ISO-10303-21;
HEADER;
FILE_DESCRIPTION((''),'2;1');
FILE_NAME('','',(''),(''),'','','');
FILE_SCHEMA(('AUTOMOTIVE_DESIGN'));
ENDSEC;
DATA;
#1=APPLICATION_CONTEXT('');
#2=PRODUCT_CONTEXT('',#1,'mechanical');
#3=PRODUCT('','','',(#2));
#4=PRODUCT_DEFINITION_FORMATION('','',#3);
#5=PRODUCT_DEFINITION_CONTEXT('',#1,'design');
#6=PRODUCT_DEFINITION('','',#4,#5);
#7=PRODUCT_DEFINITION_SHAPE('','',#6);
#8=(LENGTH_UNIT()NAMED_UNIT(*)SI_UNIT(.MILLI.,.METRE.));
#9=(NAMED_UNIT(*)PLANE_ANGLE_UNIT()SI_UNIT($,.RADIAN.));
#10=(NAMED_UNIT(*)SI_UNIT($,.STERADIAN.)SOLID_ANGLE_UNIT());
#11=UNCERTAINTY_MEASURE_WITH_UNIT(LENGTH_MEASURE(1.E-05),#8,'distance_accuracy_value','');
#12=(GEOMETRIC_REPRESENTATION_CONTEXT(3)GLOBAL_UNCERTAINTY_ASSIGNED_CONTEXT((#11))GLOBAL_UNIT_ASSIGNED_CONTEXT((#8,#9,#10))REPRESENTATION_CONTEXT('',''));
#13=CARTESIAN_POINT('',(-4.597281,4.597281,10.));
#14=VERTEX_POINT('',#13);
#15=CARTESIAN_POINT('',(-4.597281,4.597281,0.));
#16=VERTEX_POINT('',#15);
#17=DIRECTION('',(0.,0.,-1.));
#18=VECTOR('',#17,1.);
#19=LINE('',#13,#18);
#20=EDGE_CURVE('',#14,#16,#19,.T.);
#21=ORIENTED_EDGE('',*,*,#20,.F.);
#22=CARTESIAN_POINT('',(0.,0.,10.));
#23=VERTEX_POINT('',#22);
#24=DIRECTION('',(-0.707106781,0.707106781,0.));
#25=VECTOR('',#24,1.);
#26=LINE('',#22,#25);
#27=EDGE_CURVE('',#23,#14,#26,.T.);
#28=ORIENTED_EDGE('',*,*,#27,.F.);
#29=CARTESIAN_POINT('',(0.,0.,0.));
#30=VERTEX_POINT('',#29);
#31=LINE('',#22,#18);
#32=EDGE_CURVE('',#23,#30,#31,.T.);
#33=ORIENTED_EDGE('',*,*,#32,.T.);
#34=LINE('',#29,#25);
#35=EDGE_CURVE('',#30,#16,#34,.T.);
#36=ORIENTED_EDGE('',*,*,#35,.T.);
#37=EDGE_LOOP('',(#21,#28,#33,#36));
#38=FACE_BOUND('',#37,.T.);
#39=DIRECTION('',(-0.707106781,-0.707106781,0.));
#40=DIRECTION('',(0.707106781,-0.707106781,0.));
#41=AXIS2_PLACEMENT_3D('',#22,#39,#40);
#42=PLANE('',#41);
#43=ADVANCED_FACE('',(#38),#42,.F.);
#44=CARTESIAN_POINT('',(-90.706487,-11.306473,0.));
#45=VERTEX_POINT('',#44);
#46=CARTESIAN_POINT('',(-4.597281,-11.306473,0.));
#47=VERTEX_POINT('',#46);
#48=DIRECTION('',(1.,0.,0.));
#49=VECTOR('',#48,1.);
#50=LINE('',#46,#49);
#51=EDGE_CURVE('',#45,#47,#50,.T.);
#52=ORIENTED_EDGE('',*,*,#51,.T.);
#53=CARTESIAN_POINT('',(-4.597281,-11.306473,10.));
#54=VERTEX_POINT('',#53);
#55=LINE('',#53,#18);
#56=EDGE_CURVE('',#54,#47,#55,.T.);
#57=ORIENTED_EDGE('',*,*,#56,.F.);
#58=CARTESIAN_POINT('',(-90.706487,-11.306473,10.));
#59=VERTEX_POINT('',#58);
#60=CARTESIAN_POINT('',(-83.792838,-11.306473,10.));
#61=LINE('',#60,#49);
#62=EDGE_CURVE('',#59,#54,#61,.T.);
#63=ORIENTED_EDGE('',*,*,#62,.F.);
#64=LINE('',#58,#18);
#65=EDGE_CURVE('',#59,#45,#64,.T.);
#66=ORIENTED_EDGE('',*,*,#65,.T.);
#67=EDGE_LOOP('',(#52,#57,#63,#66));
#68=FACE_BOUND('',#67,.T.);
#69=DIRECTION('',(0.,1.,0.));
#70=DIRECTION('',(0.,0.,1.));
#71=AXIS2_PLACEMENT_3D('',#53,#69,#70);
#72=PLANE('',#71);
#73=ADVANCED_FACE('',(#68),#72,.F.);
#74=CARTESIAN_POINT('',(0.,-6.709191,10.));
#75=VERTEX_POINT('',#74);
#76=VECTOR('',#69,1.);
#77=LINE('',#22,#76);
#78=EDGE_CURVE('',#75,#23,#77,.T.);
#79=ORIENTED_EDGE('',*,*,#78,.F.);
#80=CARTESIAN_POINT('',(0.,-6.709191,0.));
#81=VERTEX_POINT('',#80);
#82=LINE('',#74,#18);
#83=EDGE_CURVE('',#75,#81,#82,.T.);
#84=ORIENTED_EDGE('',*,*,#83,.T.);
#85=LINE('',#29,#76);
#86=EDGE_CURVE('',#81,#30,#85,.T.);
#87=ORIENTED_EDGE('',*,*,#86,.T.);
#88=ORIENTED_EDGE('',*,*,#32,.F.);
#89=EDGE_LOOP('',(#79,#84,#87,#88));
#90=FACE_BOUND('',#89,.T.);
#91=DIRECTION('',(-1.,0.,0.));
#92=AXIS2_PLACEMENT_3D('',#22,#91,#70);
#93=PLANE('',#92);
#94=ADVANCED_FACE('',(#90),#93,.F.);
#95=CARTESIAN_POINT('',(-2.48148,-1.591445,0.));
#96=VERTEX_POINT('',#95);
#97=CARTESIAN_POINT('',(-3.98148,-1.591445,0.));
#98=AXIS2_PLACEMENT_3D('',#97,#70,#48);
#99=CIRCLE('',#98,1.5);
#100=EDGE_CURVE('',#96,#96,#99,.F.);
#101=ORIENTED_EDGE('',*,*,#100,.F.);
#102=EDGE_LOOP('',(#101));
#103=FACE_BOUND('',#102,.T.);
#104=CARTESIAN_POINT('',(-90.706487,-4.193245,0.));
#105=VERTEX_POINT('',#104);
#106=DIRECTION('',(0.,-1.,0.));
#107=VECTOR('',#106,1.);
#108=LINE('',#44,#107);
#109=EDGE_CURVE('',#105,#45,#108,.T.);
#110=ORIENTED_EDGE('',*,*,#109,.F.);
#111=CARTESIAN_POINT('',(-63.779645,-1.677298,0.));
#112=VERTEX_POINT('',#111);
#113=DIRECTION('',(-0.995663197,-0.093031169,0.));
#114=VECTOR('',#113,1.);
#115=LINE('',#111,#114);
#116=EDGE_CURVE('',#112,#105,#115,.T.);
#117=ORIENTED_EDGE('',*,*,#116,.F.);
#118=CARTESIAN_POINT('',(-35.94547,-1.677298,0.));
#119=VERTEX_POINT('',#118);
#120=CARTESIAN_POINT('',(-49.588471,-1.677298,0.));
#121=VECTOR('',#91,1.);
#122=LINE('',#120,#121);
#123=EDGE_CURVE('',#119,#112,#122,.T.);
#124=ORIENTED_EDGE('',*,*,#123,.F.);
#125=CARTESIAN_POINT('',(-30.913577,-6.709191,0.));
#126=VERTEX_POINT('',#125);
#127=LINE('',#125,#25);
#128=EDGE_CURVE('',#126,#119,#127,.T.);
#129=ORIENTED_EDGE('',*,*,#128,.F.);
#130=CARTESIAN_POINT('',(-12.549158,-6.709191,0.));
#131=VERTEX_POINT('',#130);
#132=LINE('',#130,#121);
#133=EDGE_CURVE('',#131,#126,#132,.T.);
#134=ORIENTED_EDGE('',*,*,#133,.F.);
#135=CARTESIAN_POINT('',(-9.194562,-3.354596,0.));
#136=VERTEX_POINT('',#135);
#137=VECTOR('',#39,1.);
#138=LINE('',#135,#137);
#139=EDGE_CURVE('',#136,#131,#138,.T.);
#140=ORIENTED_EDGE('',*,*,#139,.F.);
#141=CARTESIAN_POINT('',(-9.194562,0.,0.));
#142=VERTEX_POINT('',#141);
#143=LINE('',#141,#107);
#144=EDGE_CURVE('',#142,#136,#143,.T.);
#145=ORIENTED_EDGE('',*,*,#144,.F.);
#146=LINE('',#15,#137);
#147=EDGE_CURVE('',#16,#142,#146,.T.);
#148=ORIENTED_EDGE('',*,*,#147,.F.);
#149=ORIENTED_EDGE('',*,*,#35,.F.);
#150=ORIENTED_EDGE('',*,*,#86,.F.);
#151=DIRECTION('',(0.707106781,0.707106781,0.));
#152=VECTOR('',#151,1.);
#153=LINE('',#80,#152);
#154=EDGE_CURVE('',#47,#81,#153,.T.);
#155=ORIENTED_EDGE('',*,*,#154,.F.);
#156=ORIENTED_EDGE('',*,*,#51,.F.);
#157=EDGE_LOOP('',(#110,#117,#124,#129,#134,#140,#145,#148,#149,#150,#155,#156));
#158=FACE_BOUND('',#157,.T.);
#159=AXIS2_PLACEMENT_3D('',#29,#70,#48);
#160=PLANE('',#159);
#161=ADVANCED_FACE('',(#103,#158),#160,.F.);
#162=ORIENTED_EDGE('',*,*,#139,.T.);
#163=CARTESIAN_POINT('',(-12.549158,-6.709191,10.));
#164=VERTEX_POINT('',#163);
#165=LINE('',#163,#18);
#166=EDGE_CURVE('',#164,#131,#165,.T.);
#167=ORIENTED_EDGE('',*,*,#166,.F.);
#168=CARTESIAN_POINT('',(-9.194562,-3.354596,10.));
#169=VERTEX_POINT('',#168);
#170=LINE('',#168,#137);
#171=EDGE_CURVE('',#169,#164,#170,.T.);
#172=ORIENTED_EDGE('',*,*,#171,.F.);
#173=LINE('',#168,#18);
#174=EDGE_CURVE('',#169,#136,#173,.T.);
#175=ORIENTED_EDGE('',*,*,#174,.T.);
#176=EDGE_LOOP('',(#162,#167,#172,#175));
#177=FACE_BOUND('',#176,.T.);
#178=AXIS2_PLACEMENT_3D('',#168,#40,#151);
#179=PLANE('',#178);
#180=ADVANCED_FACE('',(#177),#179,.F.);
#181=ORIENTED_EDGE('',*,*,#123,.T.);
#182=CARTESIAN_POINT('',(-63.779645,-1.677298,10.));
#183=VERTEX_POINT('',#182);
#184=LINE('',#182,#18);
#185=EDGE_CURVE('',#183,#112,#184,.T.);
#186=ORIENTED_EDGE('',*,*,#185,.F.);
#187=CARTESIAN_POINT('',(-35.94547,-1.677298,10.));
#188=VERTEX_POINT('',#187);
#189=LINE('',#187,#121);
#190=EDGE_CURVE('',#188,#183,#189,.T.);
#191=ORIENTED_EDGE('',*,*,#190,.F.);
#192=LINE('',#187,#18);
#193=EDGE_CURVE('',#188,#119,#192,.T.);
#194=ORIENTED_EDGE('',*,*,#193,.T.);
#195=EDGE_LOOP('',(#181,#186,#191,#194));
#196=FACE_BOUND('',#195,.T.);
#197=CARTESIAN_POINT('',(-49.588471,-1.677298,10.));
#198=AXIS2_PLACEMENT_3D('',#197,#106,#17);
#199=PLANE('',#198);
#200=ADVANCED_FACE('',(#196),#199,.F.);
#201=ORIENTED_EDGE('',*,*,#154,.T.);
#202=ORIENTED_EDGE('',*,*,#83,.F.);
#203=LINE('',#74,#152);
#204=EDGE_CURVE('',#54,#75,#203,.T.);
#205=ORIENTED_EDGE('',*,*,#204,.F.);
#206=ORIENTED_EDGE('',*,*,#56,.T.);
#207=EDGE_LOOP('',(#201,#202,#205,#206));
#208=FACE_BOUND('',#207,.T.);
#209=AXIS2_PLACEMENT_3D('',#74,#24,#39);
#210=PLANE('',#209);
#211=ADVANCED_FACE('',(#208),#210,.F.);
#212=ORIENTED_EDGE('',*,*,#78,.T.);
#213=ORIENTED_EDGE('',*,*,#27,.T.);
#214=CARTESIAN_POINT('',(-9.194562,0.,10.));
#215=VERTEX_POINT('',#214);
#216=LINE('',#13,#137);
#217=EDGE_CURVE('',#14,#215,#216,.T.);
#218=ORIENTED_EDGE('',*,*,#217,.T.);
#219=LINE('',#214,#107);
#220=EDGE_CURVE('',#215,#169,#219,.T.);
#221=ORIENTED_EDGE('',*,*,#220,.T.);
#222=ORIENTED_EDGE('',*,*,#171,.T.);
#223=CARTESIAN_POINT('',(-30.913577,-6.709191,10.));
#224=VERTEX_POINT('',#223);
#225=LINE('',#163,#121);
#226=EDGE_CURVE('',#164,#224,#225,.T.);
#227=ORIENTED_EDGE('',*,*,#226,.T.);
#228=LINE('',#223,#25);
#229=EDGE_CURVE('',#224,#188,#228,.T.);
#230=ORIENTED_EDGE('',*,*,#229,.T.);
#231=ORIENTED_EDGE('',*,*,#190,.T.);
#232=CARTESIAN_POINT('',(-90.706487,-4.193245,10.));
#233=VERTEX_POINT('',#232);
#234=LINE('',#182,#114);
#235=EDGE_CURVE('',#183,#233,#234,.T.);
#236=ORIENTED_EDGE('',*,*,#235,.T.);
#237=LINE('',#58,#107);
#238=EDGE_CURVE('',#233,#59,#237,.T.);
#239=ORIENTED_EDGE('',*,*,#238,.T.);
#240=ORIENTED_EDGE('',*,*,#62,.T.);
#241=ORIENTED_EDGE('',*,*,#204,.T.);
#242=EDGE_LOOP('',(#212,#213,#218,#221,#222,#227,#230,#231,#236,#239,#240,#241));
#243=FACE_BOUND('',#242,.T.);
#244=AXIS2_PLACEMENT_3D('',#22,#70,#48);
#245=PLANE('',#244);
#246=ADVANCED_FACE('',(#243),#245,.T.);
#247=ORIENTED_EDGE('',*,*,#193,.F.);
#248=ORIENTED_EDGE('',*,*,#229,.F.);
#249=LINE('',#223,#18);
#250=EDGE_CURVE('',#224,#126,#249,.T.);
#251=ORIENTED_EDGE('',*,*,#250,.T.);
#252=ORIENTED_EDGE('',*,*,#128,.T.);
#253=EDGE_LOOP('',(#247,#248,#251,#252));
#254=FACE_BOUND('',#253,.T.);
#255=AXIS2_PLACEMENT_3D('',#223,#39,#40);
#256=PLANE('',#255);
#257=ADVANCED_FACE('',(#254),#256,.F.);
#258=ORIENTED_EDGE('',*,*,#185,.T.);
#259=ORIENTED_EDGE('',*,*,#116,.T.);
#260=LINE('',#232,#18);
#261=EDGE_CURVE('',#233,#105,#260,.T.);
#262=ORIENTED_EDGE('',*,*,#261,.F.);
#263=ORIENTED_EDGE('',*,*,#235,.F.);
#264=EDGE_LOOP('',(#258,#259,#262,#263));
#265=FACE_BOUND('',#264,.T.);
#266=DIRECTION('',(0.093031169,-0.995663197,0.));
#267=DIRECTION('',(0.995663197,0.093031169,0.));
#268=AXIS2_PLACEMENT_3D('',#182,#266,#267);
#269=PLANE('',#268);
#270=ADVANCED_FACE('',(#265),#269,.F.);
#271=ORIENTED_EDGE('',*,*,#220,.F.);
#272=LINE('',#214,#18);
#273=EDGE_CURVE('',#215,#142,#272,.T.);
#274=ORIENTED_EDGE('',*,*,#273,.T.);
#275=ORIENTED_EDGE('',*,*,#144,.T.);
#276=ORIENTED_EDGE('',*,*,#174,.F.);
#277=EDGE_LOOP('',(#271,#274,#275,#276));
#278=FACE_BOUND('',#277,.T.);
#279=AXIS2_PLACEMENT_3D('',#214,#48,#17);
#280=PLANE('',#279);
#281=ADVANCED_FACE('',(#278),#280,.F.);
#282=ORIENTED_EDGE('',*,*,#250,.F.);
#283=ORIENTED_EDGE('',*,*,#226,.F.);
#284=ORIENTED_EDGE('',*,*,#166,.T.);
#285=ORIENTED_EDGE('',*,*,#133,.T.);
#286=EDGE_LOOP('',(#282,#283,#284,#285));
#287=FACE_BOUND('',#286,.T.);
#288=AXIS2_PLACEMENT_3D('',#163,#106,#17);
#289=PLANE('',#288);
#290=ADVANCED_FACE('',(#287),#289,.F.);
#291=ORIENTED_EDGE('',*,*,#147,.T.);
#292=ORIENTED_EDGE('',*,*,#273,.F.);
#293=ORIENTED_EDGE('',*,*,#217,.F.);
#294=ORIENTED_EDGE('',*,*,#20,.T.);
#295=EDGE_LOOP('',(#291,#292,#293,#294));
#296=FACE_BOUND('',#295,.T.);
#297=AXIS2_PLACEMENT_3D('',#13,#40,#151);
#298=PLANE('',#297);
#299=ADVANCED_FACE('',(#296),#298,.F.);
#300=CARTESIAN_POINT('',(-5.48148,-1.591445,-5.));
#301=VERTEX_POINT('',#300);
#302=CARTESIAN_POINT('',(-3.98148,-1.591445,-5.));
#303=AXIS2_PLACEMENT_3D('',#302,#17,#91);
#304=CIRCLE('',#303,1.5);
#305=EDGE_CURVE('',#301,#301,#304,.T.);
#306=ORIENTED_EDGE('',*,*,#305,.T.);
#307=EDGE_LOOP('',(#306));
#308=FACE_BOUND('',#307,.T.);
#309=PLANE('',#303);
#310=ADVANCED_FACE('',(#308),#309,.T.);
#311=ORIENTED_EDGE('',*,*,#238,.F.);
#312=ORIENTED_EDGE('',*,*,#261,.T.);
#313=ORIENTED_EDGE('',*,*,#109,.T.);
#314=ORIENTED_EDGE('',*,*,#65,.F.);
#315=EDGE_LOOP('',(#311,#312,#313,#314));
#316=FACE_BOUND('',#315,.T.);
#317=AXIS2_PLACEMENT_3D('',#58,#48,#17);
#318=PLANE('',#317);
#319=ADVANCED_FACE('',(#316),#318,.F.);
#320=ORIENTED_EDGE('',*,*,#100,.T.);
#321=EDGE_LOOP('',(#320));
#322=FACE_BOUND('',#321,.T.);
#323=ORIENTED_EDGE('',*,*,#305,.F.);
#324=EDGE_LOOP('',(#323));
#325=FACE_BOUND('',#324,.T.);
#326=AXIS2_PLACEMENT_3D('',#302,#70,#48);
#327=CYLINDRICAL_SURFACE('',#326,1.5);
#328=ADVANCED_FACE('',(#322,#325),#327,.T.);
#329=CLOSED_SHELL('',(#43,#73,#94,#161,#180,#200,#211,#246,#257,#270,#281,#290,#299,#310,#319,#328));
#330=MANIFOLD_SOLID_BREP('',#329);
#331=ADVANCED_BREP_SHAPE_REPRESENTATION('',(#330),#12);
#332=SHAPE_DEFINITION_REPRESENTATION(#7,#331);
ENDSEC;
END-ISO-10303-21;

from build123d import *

# Parameters (mm, degrees)
BOSS_EXTRUDE1_DEPTH = 10
SKETCH2_R           = 1.5
BOSS_EXTRUDE2_DEPTH = 5


with BuildPart() as part:
    # Sketch1 → Boss-Extrude1 (new body)
    with BuildSketch(Plane.XY):
        Polygon((0, 0), (0, -6.709191333), (-4.597281239, -11.306472572), (-57.229872555, -11.306472572), (-83.792838338, -11.306472572), (-90.706486966, -11.306472572), (-90.706486966, -4.193244583), (-63.77964494, -1.677297833), (-49.58847144, -1.677297833), (-35.945470397, -1.677297833), (-30.913576897, -6.709191333), (-12.549158145, -6.709191333), (-9.194562479, -3.354595666), (-9.194562479, 0), (-4.597281239, 4.597281239), align=None)
    extrude(amount=BOSS_EXTRUDE1_DEPTH)

    # Sketch2 → Boss-Extrude2 (add)
    with BuildSketch(Plane(origin=(0, 0, 0), x_dir=(-1, 0, 0), z_dir=(0, 0, -1))):
        with Locations(Location((3.981479871, -1.591444595, 0), (0, 0, 180))):
            Circle(SKETCH2_R)
    extrude(amount=BOSS_EXTRUDE2_DEPTH)


solid = part.part
